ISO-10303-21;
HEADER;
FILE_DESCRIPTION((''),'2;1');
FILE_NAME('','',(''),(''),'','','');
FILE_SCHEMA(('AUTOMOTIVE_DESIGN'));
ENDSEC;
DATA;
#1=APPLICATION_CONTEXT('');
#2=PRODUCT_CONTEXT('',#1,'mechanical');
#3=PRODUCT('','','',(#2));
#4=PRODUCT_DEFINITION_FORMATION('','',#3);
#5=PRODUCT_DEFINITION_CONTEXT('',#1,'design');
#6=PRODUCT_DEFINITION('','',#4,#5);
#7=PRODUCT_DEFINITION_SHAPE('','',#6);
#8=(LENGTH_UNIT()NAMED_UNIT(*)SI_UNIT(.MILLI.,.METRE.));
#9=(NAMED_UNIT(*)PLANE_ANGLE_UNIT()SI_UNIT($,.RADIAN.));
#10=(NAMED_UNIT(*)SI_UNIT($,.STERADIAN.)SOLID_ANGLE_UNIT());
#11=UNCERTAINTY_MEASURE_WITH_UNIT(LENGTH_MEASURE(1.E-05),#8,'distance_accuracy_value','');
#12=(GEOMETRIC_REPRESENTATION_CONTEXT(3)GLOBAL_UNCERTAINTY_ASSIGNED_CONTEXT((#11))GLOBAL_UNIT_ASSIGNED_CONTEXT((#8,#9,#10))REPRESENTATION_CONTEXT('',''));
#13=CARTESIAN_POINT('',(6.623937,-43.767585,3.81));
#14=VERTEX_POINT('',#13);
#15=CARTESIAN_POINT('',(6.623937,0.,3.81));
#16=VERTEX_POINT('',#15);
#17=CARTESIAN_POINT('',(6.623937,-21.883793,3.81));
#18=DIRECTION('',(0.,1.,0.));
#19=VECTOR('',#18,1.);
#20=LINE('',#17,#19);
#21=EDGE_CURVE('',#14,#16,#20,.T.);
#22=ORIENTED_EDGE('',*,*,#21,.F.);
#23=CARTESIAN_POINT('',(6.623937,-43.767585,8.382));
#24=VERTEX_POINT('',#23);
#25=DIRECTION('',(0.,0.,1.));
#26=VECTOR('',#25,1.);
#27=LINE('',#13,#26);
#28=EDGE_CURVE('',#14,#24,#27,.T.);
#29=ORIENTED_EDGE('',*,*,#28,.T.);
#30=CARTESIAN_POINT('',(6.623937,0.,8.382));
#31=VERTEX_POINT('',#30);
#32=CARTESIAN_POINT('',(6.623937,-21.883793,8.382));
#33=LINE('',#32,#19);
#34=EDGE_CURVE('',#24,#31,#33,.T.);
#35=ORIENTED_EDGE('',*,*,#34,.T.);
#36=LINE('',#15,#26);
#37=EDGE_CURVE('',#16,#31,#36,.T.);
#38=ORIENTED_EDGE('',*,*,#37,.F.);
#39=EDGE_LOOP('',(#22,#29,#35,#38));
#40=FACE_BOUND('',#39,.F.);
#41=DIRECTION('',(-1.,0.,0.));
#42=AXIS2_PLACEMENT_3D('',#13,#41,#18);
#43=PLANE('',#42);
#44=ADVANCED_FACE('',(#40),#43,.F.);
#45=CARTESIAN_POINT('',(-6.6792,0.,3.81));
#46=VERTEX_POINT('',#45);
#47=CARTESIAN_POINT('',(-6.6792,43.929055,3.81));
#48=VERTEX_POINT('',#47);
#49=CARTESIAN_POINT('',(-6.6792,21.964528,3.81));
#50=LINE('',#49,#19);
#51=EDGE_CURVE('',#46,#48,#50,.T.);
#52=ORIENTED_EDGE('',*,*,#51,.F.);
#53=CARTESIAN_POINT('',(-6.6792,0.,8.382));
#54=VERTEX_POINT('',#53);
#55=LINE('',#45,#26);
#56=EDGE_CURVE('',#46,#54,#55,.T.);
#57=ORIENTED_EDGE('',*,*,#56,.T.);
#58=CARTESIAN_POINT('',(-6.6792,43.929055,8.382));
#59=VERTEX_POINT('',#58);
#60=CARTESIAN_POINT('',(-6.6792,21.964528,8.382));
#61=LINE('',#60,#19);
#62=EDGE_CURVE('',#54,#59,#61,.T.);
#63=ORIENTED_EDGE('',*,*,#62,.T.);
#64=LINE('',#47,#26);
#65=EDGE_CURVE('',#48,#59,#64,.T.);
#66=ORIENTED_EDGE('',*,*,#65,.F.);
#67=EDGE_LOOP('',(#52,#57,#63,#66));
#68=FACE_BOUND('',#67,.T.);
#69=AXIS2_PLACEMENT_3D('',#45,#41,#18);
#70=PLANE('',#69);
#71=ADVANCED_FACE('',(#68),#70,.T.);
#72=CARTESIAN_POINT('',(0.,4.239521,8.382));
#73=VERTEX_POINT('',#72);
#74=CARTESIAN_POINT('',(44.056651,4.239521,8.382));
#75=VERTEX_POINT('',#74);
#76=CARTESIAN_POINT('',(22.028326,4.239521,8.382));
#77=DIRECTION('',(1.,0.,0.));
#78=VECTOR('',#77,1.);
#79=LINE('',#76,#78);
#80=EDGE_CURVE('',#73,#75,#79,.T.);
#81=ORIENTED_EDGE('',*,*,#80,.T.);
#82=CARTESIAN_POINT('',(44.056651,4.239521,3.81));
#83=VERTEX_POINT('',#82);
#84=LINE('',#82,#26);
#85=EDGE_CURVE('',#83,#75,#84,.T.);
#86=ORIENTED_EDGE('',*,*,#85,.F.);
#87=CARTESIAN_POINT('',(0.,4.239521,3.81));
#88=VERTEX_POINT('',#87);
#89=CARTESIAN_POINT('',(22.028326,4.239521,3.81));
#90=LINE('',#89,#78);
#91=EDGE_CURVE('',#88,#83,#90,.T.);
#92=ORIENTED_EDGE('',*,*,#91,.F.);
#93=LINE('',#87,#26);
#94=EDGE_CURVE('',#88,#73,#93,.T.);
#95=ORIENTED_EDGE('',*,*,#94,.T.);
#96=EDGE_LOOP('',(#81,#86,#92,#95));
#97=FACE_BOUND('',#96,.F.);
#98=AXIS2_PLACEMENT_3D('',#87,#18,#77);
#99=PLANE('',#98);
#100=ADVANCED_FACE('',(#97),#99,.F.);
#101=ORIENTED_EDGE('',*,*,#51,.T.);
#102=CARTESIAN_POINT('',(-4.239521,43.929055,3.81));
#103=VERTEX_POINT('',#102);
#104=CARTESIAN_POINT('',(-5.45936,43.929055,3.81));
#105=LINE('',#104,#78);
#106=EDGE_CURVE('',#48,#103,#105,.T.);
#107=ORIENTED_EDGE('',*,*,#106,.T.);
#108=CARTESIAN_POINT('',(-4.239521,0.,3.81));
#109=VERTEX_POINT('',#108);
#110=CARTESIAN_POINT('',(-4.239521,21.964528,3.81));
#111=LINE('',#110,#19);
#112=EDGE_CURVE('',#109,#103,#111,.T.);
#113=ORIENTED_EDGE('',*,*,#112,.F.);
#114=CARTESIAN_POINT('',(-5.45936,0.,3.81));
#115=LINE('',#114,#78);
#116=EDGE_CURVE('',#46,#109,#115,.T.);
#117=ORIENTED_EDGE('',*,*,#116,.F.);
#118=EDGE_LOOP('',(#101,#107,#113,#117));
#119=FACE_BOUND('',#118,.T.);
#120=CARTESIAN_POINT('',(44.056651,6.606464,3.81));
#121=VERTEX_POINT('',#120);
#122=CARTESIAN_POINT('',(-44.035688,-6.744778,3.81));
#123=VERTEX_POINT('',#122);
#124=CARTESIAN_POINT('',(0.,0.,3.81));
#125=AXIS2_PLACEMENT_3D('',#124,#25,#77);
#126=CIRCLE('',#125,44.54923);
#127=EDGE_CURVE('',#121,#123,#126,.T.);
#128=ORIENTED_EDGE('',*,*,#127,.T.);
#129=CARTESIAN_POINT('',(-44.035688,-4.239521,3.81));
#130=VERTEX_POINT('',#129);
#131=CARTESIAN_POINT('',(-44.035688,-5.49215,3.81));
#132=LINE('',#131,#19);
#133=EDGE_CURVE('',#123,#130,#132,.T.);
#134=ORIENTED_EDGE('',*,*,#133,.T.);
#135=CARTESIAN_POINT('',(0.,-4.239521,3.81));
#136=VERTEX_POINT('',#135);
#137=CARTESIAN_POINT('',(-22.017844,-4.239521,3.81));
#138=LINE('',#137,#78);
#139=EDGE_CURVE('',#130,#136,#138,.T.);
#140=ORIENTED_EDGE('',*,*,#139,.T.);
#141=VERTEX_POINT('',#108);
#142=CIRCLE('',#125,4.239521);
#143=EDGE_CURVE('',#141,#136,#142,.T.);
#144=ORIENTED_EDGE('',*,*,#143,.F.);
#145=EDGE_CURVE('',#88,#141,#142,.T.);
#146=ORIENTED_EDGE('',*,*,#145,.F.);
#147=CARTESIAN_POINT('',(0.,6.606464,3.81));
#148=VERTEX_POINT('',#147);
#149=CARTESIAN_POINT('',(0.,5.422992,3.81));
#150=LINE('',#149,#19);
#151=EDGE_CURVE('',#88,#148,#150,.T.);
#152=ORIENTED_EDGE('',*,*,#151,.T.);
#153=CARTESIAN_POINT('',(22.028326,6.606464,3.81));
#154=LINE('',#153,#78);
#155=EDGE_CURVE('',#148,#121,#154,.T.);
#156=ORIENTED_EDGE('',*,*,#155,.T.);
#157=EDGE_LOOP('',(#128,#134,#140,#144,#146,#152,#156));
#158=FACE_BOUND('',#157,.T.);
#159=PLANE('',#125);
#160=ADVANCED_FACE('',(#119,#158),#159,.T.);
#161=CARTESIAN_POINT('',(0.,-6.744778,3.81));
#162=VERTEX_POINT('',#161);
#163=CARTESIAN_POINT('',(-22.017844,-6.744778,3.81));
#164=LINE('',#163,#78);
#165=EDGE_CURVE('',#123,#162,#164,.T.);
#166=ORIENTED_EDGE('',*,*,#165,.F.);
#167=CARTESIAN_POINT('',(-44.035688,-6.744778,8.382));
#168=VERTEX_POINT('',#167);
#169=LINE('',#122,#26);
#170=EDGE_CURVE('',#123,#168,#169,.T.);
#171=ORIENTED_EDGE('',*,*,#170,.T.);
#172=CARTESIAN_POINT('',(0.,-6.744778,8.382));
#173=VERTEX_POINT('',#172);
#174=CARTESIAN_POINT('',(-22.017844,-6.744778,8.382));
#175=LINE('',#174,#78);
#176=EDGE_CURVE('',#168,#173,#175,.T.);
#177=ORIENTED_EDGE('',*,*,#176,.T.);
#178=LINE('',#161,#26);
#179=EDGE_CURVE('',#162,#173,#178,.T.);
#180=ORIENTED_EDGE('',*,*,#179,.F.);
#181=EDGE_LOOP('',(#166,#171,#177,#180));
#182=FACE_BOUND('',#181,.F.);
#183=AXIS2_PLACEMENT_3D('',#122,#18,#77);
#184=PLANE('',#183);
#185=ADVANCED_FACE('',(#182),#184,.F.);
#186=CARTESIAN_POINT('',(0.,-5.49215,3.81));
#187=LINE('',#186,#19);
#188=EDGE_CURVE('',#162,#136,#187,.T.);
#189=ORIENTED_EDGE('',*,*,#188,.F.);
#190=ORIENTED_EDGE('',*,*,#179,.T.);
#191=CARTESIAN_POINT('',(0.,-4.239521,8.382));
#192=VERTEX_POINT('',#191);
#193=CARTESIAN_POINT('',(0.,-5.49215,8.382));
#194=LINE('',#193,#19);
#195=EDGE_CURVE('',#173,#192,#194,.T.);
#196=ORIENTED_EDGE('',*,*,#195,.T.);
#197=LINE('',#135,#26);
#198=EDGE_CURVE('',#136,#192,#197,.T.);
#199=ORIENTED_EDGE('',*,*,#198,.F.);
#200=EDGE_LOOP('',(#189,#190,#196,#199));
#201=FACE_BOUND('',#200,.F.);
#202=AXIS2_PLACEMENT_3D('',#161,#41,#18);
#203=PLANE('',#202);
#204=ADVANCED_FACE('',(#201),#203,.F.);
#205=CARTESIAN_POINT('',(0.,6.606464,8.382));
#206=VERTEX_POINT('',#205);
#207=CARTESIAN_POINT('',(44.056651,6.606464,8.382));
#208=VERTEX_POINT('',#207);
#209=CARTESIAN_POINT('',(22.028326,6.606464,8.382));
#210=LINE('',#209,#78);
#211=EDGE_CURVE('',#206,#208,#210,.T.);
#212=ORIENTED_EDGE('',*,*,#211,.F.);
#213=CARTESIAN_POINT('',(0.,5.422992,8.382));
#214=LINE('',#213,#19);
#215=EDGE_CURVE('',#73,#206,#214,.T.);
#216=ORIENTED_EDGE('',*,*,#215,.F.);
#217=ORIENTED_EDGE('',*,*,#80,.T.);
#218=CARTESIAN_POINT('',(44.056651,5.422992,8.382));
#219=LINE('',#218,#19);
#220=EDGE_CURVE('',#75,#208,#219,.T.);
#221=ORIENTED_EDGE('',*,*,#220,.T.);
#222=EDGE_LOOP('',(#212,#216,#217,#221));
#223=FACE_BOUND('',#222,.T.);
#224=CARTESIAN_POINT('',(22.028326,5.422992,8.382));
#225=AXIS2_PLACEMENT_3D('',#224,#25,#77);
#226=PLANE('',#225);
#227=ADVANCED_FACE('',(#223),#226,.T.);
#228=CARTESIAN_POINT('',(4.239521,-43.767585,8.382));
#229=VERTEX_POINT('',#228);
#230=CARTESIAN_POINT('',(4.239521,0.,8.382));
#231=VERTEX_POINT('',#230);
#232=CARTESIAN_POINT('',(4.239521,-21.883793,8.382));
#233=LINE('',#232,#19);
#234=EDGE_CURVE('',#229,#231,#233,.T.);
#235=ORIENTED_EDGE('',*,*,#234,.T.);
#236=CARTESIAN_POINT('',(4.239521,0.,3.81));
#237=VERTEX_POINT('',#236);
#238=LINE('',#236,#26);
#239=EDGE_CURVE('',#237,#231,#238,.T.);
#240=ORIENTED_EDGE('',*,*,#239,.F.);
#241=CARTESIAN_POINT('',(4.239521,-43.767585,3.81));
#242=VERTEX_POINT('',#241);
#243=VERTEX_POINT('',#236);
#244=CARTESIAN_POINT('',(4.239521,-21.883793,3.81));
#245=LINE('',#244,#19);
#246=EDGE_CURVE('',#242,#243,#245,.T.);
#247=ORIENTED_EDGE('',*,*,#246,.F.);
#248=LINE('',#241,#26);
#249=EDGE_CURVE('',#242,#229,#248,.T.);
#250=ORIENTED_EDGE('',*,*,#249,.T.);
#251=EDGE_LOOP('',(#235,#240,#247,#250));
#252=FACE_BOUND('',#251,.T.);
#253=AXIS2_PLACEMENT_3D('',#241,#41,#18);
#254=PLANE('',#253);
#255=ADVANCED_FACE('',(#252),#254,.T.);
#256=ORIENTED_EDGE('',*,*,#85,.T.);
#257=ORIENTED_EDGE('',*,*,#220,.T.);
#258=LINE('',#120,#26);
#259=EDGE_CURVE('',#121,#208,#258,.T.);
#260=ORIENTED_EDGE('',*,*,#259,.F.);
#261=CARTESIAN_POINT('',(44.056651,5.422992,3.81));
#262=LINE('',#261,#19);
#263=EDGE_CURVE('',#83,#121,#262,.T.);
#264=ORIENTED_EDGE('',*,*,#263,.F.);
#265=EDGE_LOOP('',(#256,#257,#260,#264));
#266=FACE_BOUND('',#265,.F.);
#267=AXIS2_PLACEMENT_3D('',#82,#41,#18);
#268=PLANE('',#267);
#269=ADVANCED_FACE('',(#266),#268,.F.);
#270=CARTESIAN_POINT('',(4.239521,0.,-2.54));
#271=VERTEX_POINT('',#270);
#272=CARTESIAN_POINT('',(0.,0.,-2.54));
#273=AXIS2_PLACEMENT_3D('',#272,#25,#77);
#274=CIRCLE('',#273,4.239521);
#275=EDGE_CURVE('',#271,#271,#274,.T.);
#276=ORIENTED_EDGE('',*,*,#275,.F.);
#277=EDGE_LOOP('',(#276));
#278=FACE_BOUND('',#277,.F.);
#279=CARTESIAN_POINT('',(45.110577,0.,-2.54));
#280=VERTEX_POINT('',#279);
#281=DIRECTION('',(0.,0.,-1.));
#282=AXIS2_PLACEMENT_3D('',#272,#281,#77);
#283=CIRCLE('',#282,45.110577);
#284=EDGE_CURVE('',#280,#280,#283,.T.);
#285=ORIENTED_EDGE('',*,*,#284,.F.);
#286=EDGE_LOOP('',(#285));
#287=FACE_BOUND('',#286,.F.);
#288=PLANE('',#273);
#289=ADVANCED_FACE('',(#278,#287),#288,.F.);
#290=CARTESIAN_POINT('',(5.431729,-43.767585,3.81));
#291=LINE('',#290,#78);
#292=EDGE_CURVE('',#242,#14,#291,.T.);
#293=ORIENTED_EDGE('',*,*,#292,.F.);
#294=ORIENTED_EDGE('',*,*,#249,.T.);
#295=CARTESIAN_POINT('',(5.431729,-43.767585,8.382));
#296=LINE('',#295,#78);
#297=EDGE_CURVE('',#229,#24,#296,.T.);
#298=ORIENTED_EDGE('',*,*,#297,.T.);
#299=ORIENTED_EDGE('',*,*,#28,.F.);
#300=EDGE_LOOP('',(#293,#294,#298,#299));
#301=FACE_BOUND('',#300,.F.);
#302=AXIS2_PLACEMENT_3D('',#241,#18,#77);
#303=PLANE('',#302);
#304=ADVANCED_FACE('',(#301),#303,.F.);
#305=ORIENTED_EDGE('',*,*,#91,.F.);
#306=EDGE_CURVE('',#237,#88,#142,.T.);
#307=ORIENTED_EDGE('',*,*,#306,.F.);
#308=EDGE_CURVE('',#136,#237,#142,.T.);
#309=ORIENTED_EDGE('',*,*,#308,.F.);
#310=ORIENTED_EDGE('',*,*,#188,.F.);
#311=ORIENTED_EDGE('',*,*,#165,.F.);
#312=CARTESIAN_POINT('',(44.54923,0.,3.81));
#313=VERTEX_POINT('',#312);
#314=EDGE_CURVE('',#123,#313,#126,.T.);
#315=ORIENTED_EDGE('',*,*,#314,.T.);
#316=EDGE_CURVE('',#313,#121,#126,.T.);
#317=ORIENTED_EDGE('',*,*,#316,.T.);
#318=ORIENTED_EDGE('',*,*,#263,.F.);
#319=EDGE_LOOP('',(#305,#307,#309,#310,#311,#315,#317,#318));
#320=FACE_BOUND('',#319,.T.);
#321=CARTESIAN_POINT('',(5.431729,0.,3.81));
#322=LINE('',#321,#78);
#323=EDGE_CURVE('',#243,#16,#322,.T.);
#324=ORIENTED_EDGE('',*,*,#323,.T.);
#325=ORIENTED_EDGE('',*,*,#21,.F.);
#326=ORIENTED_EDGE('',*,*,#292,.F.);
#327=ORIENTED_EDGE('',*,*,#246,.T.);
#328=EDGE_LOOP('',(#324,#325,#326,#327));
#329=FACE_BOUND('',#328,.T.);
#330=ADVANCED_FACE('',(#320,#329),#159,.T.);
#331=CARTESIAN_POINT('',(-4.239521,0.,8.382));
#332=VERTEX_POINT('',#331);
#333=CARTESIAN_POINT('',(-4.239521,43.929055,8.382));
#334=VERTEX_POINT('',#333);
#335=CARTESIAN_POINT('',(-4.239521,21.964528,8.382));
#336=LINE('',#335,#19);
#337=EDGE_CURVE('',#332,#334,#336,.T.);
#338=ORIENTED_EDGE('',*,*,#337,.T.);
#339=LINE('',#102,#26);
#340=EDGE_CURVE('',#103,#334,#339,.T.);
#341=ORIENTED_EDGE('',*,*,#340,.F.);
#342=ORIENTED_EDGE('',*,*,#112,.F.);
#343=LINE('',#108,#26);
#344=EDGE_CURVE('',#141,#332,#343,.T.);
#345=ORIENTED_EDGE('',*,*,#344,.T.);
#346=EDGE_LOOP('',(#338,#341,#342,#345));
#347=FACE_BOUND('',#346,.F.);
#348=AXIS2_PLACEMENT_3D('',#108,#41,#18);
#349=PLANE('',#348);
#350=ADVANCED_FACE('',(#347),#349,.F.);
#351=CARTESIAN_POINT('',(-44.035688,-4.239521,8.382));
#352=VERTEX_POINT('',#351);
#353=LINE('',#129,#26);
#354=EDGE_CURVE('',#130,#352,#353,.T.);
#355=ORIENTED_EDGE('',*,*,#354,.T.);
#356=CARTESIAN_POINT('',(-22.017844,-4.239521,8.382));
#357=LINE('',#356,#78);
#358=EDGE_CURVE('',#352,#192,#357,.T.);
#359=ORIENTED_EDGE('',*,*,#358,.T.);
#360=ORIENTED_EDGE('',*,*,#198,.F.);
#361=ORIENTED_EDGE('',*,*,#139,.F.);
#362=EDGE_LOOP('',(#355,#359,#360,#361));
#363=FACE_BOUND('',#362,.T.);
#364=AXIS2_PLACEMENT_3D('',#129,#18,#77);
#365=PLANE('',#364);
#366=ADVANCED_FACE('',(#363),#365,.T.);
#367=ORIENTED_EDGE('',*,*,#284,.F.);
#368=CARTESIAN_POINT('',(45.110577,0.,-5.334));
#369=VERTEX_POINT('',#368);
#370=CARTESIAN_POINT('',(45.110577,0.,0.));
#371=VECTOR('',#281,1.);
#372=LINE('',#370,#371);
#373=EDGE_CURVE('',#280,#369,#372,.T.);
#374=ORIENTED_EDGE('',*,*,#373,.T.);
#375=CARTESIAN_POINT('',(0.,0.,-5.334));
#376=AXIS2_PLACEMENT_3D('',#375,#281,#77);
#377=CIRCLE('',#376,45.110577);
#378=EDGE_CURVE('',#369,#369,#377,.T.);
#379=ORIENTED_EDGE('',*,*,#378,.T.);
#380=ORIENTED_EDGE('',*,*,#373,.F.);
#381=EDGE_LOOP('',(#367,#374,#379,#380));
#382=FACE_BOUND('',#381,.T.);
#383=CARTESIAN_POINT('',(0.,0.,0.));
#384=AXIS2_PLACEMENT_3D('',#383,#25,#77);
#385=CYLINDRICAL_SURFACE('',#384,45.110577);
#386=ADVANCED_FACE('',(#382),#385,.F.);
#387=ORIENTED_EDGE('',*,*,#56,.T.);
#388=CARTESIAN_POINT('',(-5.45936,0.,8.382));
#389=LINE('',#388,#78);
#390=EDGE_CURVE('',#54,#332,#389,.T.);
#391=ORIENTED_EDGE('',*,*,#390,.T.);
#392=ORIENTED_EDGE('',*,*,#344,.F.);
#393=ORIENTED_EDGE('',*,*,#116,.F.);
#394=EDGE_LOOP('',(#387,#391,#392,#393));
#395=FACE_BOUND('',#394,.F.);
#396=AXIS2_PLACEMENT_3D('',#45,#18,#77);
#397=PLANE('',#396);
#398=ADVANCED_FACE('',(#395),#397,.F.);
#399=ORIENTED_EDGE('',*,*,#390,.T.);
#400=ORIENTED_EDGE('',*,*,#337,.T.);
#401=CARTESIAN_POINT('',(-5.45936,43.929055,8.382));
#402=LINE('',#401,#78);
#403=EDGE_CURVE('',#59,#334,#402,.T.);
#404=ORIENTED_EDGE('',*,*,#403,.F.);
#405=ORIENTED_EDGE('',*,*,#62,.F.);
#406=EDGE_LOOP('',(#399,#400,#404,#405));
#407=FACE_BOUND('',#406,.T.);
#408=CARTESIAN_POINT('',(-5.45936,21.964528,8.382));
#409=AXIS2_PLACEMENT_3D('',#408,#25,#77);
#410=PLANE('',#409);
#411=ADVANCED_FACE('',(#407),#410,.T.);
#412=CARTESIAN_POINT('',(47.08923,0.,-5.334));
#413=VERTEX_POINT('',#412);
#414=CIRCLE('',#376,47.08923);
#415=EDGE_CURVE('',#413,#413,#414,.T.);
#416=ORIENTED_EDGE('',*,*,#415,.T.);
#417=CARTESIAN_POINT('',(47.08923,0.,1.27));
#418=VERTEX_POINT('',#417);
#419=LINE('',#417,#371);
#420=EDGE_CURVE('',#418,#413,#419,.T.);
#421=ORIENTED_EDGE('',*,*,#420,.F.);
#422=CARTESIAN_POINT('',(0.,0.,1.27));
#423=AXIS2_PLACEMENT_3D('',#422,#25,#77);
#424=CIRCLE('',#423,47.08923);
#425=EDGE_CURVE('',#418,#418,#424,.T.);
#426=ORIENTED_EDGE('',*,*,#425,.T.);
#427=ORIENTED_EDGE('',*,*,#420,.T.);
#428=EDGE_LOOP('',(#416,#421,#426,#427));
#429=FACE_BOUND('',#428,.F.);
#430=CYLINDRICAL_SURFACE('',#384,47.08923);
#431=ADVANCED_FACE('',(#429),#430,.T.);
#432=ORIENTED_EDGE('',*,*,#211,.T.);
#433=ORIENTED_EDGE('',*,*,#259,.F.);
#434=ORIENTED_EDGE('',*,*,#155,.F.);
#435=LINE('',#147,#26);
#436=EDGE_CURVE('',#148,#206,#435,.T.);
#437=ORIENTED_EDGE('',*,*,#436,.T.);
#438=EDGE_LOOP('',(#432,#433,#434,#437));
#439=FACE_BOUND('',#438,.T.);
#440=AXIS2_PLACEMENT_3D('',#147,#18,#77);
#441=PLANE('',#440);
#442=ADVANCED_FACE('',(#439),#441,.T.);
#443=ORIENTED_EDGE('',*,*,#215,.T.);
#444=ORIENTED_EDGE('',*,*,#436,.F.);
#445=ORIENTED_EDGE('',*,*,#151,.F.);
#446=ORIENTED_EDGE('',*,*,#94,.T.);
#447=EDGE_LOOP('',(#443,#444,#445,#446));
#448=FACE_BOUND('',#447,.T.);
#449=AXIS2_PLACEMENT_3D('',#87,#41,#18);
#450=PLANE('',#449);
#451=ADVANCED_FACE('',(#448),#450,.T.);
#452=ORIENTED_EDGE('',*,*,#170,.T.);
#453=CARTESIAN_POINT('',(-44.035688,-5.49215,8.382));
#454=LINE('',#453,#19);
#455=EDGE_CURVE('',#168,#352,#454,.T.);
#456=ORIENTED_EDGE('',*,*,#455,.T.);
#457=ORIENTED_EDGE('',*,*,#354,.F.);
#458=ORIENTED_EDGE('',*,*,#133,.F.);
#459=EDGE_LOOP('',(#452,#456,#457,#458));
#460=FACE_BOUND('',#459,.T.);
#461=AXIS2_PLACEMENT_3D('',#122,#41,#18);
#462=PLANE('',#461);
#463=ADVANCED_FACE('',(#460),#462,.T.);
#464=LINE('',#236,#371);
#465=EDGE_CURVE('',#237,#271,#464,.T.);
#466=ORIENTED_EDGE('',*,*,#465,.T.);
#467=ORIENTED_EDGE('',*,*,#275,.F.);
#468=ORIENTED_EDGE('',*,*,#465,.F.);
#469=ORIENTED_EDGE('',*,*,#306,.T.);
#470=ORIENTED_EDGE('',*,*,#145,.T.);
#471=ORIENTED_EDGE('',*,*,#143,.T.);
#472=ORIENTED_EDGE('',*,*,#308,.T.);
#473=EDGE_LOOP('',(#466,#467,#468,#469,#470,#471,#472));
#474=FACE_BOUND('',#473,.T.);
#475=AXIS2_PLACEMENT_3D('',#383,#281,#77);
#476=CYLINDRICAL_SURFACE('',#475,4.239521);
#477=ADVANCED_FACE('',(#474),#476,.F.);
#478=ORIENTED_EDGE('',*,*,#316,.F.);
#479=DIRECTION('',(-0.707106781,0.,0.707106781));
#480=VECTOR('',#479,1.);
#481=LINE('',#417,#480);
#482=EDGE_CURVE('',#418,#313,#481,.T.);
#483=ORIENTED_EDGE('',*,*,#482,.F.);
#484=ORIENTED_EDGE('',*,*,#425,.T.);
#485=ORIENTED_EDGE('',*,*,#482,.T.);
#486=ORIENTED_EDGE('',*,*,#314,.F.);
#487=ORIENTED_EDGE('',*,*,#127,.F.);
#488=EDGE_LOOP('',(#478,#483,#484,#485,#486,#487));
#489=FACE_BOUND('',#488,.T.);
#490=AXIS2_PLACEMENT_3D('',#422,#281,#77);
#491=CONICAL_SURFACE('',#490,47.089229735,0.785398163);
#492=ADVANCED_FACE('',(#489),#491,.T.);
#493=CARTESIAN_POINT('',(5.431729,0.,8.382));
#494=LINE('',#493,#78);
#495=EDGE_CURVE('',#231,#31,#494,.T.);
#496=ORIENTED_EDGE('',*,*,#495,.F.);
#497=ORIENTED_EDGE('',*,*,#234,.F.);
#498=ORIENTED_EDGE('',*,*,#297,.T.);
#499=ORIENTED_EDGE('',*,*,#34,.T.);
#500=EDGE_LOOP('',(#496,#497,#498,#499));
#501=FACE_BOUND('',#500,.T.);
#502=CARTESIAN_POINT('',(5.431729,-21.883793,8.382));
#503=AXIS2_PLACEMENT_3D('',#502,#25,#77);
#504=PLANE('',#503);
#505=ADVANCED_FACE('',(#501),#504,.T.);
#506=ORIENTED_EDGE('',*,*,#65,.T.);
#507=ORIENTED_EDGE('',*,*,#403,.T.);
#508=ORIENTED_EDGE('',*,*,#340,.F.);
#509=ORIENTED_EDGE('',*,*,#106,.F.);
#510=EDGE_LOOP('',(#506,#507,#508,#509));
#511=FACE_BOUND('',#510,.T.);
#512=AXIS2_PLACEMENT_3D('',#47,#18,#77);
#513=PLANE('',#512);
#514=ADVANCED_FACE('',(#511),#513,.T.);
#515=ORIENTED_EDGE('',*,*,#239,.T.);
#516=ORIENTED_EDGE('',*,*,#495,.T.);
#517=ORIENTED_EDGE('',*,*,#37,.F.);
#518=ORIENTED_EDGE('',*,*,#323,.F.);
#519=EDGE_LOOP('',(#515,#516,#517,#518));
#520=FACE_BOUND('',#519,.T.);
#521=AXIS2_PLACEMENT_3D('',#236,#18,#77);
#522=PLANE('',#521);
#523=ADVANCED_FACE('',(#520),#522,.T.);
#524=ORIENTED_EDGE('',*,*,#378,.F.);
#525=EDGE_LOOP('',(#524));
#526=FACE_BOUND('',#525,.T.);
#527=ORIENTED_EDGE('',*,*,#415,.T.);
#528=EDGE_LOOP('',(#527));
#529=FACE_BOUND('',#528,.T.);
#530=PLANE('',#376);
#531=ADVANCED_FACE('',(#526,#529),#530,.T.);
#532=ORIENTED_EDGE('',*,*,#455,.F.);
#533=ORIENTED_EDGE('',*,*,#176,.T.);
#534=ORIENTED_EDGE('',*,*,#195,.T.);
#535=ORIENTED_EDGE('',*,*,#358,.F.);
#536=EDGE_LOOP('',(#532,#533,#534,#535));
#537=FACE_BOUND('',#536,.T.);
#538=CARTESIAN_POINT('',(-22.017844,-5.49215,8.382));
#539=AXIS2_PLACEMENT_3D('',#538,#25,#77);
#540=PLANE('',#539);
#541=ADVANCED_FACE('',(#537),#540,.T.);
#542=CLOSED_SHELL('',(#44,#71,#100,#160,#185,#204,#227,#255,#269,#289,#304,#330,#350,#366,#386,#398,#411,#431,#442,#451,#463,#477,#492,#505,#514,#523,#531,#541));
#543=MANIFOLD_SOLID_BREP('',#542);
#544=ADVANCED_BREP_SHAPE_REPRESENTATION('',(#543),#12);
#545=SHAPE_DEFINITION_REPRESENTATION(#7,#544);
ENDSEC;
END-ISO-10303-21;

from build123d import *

# Parameters (mm, degrees)
F0_R     = 47.0892297355
F0_R_2   = 45.1105774951
F0_R_3   = 10.9409208949
F0_R_4   = 4.2395211019
F1_DEPTH = 3.81
F2_SIZE  = 2.54
F3_R     = 47.0892297355
F3_R_2   = 45.1105774951
F4_DEPTH = 5.334
F6_DEPTH = 2.54
F5_W     = 2.4396785341
F5_H     = 43.9290553331
F5_W_2   = 44.0566511325
F5_H_2   = 2.3669424772
F5_W_3   = 2.3844161808
F5_H_3   = 43.7675852008
F5_W_4   = 44.0356882348
F5_H_4   = 2.5052570053
F7_DEPTH = 4.572


with BuildPart() as f1:
    # F0 (on Top) → F1 (new body)
    with BuildSketch(Plane.XY):
        Circle(F0_R)
        Circle(F0_R_2, mode=Mode.SUBTRACT)
        Circle(F0_R_2)
        Circle(F0_R_3, mode=Mode.SUBTRACT)
        Circle(F0_R_3)
        Circle(F0_R_4, mode=Mode.SUBTRACT)
    extrude(amount=F1_DEPTH)

    # F2
    f2_edges = [f1.edges().sort_by_distance(p)[0] for p in [
        (-47.08923, 0, 3.81),
    ]]
    chamfer(f2_edges, length=F2_SIZE)

    # F3 (on face) → F4 (join)
    with BuildSketch(Plane(origin=(0, 0, 0), x_dir=(1, 0, 0), z_dir=(0, 0, -1))):
        Circle(F3_R)
        Circle(F3_R_2, mode=Mode.SUBTRACT)
    extrude(amount=F4_DEPTH)

    # F6 (add): a face of the model
    f6_faces = [f1.faces().sort_by_distance(p)[0] for p in [
        (-43.8346576851, 0, 0),
    ]]
    extrude(f6_faces, amount=F6_DEPTH)

    # F5 (on face) → F7 (join)
    with BuildSketch(Plane.XY.offset(3.81)):
        with Locations((-5.4593603689, 21.9645276666)):
            Rectangle(F5_W, F5_H)
        with Locations((22.0283255662, 5.4229923405)):
            Rectangle(F5_W_2, F5_H_2)
        with Locations((5.4317291923, -21.8837926004)):
            Rectangle(F5_W_3, F5_H_3)
        with Locations((-22.0178441174, -5.4921496045)):
            Rectangle(F5_W_4, F5_H_4)
    extrude(amount=F7_DEPTH)


solid = f1.part
